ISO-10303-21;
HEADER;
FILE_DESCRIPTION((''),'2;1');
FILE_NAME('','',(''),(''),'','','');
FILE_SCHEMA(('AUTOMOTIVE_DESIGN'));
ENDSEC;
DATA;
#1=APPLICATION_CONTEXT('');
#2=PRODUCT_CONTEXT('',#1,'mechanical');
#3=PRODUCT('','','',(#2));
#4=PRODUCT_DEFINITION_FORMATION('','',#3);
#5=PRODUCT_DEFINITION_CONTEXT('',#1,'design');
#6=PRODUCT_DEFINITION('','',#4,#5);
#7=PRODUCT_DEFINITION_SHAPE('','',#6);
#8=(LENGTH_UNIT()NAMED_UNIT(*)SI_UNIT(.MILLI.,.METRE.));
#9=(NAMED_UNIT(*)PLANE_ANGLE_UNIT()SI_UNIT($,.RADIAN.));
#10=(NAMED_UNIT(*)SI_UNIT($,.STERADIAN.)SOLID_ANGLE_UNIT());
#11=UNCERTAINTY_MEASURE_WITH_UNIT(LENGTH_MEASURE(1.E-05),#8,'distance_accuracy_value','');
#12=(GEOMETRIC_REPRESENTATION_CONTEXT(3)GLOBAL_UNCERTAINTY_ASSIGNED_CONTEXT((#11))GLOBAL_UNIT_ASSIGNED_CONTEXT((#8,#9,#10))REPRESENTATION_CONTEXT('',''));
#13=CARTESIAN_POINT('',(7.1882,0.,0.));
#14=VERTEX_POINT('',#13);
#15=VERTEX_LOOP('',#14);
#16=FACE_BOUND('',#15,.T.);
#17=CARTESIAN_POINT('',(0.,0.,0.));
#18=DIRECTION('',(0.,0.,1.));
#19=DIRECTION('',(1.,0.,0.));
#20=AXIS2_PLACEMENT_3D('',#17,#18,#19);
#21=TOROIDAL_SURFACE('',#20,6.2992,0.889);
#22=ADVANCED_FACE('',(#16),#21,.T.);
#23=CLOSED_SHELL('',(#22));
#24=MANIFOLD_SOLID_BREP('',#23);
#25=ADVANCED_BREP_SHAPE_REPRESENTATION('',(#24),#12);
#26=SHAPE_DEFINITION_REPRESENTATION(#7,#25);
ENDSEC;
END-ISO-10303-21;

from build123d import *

# Parameters (mm, degrees)
SKETCH1_R = 0.889


with BuildPart() as part:
    # Sketch1 → Revolve1 (revolve)
    with BuildSketch(Plane(origin=(0, 0, 0), x_dir=(0, -1, 0), z_dir=(1, 0, 0))):
        with Locations((6.2992, 0)):
            Circle(SKETCH1_R)
    revolve(axis=Axis((0, 0, 0.889), (0, 0, -1)))


solid = part.part
